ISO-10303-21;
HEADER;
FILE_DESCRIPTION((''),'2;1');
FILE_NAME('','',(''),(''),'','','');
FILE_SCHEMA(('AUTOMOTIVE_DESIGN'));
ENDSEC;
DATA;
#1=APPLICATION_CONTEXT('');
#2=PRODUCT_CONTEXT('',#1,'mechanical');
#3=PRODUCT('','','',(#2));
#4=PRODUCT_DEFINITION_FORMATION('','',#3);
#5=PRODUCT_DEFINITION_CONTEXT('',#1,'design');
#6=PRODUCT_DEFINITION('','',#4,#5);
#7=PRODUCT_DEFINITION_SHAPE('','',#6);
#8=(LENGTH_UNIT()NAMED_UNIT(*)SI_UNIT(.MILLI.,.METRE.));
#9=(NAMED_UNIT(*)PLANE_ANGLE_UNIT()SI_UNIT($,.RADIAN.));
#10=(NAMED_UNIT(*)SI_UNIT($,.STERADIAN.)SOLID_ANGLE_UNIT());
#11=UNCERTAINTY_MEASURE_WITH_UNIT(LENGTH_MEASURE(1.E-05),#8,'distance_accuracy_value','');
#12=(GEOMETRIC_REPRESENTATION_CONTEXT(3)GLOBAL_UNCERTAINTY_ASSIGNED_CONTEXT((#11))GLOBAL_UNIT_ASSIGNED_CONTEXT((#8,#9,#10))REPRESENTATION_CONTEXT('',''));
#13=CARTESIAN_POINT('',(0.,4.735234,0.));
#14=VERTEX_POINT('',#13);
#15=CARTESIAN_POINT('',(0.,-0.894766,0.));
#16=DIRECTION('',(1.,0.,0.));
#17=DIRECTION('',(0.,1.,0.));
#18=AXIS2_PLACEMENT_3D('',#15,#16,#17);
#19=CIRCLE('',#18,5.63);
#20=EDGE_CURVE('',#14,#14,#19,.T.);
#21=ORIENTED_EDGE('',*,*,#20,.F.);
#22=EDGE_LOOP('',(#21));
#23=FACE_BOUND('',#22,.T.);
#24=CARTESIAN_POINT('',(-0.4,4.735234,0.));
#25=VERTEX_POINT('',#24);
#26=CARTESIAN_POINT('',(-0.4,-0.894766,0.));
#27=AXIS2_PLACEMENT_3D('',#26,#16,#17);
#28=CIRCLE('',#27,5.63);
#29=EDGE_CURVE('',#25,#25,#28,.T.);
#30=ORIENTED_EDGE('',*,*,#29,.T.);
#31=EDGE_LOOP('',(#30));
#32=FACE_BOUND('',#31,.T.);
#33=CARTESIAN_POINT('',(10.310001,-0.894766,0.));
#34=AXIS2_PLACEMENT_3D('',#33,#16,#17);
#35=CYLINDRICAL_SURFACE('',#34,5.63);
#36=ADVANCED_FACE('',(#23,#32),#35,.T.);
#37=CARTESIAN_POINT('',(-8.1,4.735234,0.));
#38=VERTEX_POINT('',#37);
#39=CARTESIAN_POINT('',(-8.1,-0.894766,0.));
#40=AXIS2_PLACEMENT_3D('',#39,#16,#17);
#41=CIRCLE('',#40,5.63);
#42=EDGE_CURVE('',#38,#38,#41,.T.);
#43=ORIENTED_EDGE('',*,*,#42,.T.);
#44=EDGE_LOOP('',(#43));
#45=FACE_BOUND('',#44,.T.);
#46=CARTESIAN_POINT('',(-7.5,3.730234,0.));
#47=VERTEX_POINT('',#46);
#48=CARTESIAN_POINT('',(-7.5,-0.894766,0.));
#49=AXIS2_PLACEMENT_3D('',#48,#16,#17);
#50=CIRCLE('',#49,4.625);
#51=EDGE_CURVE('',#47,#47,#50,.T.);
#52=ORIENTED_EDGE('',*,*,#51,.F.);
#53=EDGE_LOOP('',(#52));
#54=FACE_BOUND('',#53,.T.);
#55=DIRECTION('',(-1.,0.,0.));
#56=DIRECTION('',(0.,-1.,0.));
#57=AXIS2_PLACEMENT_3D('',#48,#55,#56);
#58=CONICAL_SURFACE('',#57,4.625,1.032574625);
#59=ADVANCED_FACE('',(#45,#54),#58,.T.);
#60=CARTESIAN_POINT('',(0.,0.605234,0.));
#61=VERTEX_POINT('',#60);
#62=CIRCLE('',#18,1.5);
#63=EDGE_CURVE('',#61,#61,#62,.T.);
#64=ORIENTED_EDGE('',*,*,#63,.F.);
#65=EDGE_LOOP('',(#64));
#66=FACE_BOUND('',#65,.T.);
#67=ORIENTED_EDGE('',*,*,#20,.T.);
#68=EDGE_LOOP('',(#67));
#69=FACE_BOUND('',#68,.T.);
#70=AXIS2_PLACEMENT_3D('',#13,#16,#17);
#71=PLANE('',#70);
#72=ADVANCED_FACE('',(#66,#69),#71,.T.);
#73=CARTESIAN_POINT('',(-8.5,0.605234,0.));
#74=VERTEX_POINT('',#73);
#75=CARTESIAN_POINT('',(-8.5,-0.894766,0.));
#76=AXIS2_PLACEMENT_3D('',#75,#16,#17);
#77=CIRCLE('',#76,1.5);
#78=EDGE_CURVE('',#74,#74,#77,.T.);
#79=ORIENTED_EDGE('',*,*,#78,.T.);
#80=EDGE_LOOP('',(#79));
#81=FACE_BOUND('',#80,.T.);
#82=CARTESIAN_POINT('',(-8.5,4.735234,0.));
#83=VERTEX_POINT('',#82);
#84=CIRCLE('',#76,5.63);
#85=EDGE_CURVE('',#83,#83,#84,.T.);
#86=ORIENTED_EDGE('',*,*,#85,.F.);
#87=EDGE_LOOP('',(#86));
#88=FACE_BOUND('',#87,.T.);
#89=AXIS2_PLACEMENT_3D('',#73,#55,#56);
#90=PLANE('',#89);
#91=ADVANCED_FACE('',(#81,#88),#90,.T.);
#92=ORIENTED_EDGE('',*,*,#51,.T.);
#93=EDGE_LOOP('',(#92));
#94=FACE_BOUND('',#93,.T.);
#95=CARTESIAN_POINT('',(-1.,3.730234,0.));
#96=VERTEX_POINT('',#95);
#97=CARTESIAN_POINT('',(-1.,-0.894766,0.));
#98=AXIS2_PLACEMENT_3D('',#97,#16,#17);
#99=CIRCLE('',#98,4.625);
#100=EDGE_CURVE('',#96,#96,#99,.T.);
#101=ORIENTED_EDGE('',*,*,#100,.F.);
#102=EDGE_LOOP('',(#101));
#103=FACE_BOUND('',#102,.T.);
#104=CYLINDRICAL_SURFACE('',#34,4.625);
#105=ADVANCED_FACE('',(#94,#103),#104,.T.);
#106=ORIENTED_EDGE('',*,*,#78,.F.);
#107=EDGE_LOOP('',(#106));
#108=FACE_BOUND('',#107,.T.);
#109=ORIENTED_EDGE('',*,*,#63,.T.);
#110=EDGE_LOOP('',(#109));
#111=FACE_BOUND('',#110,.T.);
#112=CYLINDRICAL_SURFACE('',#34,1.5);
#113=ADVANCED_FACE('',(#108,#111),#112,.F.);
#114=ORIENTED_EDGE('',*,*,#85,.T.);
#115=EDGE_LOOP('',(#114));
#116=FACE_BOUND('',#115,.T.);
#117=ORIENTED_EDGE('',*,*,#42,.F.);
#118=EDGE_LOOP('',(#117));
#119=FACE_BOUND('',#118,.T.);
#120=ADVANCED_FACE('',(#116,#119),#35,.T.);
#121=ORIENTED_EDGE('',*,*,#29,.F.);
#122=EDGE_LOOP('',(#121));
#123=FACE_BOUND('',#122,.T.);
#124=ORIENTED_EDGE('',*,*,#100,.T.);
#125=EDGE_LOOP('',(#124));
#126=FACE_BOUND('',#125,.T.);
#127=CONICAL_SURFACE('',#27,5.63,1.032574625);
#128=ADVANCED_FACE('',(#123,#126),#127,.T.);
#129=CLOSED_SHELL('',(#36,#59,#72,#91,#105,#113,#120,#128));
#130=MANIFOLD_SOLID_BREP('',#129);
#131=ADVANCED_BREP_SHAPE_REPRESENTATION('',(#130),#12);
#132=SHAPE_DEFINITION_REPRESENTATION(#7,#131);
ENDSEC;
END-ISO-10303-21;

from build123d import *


with BuildPart() as part:
    # Sketch1 → Revolve1 (revolve)
    with BuildSketch(Plane.XY):
        Polygon((-8.5, 0.60523395), (0, 0.60523395), (0, 4.73523395), (-0.4, 4.73523395), (-1, 3.73023395), (-7.5, 3.73023395), (-8.1, 4.73523395), (-8.5, 4.73523395), align=None)
    revolve(axis=Axis((10.310000758, -0.89476605, 0), (-1, 0, 0)))


solid = part.part
